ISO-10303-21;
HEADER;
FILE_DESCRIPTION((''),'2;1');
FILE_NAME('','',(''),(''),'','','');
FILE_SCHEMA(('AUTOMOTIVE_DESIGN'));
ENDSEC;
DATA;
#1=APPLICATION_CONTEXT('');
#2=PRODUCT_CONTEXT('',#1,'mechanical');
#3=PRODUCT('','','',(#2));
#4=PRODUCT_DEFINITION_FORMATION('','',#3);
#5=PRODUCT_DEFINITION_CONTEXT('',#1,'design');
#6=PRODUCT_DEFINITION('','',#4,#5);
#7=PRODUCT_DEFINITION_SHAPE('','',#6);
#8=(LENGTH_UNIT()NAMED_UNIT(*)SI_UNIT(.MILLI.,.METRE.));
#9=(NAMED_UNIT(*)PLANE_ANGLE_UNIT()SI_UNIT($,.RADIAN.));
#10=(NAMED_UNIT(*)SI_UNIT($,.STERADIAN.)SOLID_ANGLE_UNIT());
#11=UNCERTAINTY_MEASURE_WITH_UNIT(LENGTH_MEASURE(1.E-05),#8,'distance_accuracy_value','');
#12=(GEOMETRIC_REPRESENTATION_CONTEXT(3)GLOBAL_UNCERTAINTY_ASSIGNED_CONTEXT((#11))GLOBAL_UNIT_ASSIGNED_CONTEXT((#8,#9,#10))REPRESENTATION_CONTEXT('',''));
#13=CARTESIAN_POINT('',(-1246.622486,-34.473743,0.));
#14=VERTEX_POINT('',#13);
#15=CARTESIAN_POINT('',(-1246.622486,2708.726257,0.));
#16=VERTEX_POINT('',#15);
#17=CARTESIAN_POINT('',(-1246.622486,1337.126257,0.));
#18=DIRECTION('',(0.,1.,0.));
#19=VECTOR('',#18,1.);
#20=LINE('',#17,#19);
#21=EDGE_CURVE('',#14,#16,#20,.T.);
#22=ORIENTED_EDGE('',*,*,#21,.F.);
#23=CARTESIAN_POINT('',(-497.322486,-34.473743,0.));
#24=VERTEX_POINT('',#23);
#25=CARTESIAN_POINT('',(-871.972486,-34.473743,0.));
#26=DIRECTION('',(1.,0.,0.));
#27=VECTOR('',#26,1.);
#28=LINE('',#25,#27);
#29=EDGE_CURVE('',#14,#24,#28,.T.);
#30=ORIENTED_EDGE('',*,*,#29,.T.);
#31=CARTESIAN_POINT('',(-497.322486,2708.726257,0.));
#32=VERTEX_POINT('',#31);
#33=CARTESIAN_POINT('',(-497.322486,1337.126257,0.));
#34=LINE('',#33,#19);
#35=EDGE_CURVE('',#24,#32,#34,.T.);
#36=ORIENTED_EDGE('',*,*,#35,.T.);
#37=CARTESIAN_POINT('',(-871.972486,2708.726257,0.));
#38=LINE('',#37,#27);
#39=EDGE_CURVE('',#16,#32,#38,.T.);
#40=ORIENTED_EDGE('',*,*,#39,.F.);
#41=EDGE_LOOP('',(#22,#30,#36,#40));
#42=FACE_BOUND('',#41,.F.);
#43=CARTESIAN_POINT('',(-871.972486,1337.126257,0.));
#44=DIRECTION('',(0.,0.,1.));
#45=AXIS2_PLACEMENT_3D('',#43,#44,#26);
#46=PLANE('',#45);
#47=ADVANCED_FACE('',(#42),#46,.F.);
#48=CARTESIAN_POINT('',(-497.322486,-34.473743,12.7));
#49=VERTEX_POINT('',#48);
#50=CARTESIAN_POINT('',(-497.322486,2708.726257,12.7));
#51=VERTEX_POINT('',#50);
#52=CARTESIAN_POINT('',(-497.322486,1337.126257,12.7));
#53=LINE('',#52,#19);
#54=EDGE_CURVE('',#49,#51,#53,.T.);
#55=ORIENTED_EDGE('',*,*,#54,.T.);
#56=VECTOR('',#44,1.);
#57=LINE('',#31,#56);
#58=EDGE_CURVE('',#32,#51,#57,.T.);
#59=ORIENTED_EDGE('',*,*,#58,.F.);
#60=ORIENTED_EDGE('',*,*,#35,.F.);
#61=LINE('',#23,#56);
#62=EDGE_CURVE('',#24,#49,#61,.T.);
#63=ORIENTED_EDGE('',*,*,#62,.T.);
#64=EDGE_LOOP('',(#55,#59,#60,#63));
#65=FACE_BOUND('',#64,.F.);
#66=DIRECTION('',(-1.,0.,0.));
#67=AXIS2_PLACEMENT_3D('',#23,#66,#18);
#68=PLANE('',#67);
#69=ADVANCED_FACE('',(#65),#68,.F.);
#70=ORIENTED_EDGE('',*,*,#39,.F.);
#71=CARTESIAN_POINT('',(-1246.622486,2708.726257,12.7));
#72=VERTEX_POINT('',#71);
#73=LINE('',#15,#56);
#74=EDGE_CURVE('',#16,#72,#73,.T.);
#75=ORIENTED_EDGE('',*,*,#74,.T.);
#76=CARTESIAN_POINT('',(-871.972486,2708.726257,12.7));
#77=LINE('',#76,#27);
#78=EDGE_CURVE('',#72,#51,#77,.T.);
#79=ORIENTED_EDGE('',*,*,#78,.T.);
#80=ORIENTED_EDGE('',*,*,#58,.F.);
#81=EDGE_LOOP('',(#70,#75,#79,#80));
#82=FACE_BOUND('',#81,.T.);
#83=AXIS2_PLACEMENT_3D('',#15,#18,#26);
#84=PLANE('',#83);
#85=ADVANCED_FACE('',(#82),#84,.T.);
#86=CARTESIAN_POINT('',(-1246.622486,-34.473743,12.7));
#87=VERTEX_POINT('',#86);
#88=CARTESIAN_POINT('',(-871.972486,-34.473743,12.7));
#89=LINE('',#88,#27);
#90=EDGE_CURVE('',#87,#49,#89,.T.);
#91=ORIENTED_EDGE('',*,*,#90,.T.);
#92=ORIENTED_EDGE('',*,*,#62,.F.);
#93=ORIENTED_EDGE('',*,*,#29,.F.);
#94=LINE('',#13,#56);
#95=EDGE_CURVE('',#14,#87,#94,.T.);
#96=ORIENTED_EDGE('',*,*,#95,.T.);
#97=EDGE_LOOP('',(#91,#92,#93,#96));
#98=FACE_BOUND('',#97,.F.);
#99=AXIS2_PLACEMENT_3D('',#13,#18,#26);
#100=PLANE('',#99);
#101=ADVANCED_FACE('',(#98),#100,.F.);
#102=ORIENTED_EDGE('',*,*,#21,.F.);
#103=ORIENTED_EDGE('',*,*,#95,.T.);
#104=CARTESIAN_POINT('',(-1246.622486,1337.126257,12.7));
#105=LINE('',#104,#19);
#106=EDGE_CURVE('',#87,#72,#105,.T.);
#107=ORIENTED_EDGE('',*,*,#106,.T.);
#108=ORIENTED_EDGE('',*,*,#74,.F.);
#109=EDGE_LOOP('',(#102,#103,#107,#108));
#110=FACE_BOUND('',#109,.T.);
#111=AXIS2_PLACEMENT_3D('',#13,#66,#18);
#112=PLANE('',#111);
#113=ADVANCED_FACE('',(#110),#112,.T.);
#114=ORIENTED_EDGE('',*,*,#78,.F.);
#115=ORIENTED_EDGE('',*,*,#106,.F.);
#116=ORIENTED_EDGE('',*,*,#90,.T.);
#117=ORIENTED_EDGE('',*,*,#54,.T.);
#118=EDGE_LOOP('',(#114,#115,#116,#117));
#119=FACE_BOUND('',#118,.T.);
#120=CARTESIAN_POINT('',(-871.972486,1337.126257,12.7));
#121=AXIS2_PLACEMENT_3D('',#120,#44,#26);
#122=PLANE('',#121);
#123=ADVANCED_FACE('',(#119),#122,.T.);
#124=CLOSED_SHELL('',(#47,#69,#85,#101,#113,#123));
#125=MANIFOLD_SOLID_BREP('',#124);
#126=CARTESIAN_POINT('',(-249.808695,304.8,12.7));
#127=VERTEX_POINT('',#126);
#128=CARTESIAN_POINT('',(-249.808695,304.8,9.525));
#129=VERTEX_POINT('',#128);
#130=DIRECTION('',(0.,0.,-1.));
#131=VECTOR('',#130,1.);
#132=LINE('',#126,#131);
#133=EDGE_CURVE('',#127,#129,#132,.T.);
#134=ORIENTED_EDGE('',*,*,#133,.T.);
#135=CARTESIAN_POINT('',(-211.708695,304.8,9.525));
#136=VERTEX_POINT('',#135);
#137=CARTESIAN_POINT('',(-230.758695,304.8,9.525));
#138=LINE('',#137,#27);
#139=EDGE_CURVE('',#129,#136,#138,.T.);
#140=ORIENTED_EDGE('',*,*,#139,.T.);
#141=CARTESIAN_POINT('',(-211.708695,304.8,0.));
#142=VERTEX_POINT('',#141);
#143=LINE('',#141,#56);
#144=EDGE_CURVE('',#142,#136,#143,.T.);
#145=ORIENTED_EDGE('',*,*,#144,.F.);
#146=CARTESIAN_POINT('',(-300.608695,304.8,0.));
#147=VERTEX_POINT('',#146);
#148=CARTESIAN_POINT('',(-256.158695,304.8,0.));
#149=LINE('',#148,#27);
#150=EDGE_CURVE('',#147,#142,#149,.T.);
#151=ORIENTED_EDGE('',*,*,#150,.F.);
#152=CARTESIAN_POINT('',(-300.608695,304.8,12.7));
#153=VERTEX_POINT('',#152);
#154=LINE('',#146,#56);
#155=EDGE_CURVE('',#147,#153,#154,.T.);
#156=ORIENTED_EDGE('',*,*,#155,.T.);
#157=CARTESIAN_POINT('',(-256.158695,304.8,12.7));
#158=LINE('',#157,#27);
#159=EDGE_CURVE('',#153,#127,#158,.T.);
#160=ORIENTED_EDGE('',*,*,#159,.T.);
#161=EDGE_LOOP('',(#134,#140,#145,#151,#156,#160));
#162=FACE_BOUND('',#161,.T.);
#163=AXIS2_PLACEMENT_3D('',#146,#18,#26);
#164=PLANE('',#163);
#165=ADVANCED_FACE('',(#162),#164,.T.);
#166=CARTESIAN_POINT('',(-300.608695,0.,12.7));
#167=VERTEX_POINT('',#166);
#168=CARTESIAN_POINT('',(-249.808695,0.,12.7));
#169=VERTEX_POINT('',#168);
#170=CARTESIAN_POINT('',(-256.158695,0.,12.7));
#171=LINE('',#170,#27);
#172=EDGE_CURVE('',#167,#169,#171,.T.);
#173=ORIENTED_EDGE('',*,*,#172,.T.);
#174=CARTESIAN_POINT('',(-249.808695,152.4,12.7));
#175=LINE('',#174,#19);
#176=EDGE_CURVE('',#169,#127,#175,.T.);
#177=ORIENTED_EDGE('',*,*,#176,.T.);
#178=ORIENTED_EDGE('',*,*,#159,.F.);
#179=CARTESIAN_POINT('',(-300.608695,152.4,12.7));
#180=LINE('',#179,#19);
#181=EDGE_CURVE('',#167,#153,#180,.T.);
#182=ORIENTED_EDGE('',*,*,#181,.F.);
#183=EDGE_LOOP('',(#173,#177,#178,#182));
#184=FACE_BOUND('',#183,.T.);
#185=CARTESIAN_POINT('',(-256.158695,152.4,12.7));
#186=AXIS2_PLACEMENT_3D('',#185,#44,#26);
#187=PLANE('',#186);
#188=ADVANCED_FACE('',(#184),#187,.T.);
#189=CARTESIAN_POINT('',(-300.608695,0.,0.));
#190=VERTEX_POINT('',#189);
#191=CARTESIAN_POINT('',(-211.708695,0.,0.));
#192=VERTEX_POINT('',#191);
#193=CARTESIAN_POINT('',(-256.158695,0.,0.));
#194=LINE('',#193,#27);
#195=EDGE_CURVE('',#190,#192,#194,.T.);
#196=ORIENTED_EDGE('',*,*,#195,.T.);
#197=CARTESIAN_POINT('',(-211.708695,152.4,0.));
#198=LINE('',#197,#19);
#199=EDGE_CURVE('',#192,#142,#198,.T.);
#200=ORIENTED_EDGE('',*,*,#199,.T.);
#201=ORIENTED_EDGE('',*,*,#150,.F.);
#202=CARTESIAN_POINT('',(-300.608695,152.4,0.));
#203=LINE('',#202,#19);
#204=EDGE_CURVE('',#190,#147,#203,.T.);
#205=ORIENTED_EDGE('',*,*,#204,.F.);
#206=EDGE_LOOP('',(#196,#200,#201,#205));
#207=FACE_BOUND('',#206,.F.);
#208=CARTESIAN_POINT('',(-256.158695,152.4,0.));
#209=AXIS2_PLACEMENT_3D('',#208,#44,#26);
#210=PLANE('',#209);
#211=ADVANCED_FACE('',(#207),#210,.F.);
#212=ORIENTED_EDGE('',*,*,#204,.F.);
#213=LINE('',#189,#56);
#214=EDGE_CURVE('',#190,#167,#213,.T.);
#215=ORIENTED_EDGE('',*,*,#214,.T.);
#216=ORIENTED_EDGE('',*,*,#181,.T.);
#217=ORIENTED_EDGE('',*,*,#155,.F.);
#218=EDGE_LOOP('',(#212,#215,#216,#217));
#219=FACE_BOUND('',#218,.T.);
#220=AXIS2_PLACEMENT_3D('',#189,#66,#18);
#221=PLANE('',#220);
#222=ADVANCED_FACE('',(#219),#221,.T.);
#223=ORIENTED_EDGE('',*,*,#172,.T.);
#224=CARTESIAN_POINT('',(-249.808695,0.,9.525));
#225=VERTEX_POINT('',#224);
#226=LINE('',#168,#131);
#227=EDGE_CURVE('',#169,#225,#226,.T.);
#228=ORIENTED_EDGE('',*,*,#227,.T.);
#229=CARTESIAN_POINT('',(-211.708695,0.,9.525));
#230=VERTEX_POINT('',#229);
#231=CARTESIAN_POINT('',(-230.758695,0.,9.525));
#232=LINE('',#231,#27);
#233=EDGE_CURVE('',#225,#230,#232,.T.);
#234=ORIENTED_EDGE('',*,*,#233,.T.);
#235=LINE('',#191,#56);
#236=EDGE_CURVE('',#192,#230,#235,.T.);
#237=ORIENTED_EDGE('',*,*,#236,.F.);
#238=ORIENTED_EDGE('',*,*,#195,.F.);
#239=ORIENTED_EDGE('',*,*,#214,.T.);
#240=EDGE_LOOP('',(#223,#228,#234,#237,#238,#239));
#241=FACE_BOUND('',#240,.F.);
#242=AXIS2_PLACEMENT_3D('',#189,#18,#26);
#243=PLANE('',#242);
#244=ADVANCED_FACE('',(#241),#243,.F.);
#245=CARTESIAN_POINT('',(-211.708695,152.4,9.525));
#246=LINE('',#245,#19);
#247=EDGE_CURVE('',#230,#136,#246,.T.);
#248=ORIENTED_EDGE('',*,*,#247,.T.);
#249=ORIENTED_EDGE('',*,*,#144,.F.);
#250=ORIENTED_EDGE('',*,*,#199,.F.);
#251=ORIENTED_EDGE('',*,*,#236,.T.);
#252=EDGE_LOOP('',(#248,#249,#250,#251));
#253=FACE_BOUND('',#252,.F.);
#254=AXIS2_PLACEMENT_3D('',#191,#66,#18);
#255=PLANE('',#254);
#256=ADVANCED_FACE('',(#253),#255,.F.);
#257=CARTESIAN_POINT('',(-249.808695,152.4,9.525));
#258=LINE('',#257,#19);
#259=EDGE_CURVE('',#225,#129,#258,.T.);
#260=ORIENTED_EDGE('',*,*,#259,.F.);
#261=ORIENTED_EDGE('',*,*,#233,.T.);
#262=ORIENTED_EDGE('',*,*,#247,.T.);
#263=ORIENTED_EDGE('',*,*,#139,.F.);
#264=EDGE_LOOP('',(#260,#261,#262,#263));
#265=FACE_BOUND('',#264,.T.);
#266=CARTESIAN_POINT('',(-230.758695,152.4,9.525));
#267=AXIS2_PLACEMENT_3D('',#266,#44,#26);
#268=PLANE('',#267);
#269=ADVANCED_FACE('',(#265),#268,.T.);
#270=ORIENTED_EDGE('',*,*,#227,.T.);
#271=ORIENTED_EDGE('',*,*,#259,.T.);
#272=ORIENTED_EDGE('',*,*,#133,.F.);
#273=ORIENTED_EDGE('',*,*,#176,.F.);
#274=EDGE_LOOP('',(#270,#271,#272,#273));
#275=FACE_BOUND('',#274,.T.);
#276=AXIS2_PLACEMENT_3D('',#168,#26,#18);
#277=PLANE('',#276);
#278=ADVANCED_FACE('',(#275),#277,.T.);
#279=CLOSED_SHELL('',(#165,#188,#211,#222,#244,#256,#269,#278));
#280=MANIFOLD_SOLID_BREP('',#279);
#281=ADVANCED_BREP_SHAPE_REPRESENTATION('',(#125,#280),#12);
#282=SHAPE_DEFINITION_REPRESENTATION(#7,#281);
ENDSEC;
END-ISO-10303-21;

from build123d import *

# Parameters (mm, degrees)
F0_W     = 749.3
F0_H     = 2743.2
F1_DEPTH = 12.7
F2_W     = 88.9
F2_H     = 304.8
F3_DEPTH = 12.7
F4_W     = 38.1
F4_H     = 304.8
F5_DEPTH = 3.175


with BuildPart() as f1:
    # F0 (on Top) → F1 (new body)
    with BuildSketch(Plane.XY):
        with Locations((-871.972486, 1337.126257)):
            Rectangle(F0_W, F0_H)
    extrude(amount=F1_DEPTH)


with BuildPart() as f3:
    # F2 (on Top) → F3 (new body)
    with BuildSketch(Plane.XY):
        with Locations((-256.158695, 152.4)):
            Rectangle(F2_W, F2_H)
    extrude(amount=F3_DEPTH)

    # F4 (on face) → F5 (cut)
    with BuildSketch(Plane.XY.offset(12.7)):
        with Locations((-230.758695, 152.4)):
            Rectangle(F4_W, F4_H)
    extrude(amount=-F5_DEPTH, mode=Mode.SUBTRACT)


solid = Compound([f1.part, f3.part])
